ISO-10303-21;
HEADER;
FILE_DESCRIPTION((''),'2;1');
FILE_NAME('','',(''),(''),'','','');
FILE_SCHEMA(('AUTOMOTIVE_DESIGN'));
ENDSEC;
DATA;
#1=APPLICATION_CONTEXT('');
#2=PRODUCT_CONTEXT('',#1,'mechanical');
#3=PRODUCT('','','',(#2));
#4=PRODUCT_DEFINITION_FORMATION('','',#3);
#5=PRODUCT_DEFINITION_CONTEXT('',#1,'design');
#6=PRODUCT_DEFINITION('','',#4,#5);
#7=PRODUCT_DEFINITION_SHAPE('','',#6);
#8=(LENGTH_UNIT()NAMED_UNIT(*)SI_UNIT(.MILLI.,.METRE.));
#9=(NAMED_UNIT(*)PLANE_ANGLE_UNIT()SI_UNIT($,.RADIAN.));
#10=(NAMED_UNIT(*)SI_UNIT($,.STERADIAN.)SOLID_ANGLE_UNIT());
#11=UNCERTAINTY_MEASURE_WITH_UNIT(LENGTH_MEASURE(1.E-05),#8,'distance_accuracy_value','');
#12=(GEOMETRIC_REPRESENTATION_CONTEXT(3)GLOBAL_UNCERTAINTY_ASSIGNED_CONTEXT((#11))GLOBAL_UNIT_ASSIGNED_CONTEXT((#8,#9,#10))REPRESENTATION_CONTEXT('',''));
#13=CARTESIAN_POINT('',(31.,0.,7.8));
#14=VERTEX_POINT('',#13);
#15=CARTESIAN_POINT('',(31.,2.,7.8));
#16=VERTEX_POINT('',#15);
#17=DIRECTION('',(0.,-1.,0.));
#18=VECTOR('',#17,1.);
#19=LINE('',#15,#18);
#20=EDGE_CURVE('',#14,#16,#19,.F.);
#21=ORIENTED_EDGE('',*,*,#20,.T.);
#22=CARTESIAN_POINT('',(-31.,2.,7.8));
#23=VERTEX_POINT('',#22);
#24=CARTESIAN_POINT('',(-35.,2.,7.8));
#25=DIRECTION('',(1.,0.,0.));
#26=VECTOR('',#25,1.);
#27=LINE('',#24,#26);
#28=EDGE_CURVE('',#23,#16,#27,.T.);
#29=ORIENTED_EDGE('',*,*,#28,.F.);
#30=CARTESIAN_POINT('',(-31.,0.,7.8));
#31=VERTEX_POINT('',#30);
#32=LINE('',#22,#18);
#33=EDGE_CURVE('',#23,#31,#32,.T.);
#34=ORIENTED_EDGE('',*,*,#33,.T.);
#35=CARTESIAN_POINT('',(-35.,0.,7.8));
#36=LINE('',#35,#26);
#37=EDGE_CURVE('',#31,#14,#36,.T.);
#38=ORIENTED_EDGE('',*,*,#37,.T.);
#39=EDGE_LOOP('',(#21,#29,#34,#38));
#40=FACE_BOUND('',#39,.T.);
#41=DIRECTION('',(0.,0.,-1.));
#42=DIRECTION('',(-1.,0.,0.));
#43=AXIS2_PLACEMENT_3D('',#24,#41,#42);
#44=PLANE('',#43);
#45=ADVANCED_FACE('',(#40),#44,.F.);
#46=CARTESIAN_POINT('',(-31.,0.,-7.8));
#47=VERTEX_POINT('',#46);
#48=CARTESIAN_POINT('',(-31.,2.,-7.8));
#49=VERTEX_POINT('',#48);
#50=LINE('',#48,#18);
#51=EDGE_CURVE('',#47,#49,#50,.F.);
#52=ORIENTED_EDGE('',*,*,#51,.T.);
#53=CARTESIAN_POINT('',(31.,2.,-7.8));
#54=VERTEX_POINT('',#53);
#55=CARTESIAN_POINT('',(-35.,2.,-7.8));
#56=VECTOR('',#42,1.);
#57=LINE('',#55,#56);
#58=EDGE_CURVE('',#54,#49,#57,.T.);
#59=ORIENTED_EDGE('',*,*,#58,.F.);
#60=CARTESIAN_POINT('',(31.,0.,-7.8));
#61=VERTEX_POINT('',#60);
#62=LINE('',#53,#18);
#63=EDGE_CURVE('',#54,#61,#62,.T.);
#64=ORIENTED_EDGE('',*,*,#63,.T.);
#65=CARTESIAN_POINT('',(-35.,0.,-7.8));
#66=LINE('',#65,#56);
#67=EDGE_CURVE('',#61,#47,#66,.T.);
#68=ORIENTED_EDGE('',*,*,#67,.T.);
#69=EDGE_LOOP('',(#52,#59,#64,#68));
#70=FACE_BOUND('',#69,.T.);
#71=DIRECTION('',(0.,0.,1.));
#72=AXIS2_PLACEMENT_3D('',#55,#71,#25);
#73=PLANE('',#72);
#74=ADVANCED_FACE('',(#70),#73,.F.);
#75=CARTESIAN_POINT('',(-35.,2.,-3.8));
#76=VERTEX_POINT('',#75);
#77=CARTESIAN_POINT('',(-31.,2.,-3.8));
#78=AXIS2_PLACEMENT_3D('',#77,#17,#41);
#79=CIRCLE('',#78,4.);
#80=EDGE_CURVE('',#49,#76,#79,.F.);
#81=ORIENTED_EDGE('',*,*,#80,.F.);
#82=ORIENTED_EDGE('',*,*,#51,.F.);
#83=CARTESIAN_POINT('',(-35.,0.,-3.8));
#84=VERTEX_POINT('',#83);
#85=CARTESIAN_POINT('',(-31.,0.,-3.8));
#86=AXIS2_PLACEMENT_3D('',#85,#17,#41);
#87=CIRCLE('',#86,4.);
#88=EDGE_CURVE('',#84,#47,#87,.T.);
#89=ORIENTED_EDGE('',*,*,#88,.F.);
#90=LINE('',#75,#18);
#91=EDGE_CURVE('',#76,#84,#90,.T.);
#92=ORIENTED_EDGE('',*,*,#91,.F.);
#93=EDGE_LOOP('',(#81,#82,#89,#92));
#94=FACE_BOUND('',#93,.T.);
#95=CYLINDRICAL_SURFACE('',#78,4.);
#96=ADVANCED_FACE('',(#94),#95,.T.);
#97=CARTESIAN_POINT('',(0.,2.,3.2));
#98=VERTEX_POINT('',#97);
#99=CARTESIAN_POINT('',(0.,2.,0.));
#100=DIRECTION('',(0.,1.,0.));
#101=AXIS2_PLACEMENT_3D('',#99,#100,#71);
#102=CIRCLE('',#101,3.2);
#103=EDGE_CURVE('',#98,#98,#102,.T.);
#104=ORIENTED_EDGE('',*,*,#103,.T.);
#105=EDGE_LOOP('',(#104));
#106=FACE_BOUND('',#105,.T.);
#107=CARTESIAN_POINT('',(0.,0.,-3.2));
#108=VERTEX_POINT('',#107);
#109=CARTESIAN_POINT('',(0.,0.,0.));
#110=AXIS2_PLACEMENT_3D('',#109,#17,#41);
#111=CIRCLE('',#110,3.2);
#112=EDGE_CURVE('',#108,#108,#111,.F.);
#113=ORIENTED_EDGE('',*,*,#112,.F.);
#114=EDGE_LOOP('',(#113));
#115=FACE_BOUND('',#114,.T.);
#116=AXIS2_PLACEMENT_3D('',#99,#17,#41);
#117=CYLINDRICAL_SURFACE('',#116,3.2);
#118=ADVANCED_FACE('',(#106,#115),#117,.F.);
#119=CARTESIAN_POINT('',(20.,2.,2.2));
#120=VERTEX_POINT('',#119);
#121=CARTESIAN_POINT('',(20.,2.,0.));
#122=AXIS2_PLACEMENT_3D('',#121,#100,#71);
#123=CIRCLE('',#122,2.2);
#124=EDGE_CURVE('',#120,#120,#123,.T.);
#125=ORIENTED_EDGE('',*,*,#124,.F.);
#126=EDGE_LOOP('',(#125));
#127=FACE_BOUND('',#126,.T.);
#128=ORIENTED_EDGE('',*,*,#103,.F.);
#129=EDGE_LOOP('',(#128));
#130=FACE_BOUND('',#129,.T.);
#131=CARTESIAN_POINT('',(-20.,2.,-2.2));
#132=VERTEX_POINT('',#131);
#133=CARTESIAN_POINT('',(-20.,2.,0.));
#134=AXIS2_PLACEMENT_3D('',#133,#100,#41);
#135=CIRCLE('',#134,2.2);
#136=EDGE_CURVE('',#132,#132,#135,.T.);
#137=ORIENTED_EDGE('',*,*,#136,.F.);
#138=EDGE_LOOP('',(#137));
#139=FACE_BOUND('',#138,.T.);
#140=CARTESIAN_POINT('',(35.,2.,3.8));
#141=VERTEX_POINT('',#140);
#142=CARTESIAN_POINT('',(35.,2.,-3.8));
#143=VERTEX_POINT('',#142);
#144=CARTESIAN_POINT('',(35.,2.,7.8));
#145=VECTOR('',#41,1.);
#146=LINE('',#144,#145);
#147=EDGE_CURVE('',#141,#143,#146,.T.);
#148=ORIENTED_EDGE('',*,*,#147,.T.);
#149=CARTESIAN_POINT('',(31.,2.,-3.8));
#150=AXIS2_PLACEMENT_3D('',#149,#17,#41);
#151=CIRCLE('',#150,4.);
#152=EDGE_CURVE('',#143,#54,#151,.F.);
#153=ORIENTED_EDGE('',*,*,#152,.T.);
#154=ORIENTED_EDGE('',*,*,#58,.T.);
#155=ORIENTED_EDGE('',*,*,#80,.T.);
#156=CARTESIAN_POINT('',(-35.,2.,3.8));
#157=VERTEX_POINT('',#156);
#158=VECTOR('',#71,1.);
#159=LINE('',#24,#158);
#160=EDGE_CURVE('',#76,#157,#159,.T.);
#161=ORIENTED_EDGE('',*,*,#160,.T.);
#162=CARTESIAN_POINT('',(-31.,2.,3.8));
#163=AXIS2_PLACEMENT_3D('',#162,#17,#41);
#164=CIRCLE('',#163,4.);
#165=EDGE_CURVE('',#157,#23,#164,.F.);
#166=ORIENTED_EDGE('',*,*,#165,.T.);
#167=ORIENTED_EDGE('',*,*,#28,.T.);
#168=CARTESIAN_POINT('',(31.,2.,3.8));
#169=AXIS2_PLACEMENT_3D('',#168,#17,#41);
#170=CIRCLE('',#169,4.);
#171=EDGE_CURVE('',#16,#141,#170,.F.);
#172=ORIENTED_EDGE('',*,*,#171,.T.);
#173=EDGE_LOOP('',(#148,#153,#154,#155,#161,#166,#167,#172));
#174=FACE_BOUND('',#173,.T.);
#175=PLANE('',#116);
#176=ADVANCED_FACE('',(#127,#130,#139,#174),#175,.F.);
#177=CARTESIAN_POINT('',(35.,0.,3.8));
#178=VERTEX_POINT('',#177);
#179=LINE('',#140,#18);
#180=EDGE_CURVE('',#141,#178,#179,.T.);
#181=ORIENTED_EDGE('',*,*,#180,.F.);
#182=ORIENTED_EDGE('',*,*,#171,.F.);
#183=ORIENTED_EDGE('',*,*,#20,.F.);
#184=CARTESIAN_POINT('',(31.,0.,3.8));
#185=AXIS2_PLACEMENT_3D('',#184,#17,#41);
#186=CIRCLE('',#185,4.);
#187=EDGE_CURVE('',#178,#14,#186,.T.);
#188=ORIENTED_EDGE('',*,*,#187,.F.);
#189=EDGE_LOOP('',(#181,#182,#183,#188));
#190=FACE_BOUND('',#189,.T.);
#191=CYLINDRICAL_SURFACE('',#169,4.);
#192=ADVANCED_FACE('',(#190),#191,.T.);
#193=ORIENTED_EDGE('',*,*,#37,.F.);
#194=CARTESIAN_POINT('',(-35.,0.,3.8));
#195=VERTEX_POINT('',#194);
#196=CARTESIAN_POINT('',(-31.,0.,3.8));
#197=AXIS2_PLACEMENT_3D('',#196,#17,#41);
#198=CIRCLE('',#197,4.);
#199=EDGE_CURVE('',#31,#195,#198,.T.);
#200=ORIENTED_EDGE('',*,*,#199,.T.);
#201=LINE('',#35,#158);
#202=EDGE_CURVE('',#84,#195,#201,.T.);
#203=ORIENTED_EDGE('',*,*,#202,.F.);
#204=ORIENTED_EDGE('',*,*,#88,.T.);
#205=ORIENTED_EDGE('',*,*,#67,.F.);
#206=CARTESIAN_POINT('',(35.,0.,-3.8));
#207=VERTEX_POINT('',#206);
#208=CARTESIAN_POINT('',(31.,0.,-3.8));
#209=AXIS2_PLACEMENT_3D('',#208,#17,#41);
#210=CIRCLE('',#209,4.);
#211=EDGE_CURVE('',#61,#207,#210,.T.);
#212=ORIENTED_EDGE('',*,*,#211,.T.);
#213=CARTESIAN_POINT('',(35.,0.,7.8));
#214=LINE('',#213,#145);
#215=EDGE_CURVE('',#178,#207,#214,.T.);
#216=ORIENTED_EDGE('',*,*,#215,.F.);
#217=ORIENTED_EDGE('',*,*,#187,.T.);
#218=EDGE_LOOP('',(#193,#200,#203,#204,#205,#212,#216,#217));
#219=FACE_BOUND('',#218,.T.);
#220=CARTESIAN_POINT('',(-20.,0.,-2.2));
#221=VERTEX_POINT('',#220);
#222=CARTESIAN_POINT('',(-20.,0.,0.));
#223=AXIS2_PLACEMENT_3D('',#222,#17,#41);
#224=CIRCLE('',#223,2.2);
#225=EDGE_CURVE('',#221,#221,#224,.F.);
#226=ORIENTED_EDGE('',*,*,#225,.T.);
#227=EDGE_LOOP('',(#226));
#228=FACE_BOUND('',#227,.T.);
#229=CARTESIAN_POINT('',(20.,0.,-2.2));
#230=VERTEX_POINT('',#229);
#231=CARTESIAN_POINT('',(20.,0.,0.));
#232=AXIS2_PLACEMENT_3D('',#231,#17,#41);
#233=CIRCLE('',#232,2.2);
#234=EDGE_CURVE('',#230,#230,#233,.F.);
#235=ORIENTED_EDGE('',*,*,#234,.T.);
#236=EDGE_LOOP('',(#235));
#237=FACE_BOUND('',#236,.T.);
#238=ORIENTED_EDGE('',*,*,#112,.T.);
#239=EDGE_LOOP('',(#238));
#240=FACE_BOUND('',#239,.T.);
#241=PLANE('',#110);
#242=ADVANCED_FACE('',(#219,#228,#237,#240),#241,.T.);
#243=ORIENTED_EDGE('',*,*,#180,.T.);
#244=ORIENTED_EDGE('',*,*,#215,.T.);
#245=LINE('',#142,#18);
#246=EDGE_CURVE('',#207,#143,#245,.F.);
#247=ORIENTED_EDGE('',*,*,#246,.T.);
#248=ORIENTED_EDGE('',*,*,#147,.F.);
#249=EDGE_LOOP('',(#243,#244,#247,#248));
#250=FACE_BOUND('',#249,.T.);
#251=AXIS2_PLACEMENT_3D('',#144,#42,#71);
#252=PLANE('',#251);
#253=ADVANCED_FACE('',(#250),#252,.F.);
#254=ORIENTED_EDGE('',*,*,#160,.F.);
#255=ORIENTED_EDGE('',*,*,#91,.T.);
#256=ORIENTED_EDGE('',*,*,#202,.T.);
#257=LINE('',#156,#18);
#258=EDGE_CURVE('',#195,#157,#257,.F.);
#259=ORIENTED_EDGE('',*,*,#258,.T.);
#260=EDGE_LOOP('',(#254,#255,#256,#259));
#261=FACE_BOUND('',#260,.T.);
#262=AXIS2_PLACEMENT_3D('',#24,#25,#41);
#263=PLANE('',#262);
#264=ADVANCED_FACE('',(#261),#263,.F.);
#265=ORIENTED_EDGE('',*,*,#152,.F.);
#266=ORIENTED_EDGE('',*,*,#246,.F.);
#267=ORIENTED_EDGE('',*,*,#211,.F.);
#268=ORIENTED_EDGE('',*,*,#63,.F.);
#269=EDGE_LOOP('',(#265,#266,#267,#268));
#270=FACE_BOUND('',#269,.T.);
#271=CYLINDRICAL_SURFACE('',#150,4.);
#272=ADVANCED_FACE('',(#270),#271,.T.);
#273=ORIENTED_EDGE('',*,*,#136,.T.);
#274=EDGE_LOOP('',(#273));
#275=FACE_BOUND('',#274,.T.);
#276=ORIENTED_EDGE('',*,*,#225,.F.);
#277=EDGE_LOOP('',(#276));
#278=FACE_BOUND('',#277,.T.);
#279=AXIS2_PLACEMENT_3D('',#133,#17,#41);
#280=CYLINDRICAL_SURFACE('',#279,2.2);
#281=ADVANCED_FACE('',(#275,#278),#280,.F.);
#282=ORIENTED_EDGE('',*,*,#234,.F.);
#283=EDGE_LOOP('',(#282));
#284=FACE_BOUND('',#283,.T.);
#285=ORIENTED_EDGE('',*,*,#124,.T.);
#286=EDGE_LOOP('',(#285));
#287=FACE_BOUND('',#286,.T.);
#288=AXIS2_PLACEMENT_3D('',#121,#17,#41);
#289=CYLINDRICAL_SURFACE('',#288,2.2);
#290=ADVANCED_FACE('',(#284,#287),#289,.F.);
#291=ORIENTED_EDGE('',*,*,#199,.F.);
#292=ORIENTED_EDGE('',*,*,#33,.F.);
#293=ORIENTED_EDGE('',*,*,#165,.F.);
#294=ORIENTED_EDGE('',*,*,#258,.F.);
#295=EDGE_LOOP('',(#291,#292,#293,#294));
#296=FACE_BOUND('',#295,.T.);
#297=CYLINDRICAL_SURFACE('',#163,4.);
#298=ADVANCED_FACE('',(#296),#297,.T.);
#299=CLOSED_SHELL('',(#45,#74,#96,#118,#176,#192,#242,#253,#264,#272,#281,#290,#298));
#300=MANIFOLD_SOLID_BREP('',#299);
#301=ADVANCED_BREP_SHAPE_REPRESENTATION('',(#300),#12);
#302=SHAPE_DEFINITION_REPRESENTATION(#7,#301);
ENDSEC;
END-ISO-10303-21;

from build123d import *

# Parameters (mm, degrees)
CROQUIS1_W                 = 70
CROQUIS1_H                 = 15.6
SALIENTE_EXTRUIR1_DEPTH    = 2
CORTAR_EXTRUIR2_DEPTH      = 36.914342539
CORTAR_EXTRUIR2_DEPTH_BACK = 36.914342539
CROQUIS3_R                 = 3.2
CROQUIS3_R_2               = 2.2
REDONDEO1_R                = 4


with BuildPart() as part:
    # Croquis1 → Saliente-Extruir1 (new body)
    with BuildSketch(Plane(origin=(0, 0, 0), x_dir=(1, 0, 0), z_dir=(0, 1, 0))):
        Rectangle(CROQUIS1_W, CROQUIS1_H)
    extrude(amount=SALIENTE_EXTRUIR1_DEPTH)

    # Croquis3 → Cortar-Extruir2 (cut, two sides: drawn at the far end of the back side and taken through both)
    with BuildSketch(Plane(origin=(0, 0, 0), x_dir=(1, 0, 0), z_dir=(0, 1, 0)).offset(-CORTAR_EXTRUIR2_DEPTH_BACK)):
        with Locations(Location((0, 0, 0), (0, 0, 90))):
            Circle(CROQUIS3_R)
        with Locations(Location((20, 0, 0), (0, 0, 90))):
            Circle(CROQUIS3_R_2)
        with Locations(Location((-20, 0, 0), (0, 0, 90))):
            Circle(CROQUIS3_R_2)
    extrude(amount=CORTAR_EXTRUIR2_DEPTH + CORTAR_EXTRUIR2_DEPTH_BACK, mode=Mode.SUBTRACT)

    # Redondeo1
    redondeo1_edges = [part.edges().sort_by_distance(p)[0] for p in [
        (35, 1, 7.8),
        (-35, 1, 7.8),
        (-35, 1, -7.8),
        (35, 1, -7.8),
    ]]
    fillet(redondeo1_edges, radius=REDONDEO1_R)


solid = part.part
